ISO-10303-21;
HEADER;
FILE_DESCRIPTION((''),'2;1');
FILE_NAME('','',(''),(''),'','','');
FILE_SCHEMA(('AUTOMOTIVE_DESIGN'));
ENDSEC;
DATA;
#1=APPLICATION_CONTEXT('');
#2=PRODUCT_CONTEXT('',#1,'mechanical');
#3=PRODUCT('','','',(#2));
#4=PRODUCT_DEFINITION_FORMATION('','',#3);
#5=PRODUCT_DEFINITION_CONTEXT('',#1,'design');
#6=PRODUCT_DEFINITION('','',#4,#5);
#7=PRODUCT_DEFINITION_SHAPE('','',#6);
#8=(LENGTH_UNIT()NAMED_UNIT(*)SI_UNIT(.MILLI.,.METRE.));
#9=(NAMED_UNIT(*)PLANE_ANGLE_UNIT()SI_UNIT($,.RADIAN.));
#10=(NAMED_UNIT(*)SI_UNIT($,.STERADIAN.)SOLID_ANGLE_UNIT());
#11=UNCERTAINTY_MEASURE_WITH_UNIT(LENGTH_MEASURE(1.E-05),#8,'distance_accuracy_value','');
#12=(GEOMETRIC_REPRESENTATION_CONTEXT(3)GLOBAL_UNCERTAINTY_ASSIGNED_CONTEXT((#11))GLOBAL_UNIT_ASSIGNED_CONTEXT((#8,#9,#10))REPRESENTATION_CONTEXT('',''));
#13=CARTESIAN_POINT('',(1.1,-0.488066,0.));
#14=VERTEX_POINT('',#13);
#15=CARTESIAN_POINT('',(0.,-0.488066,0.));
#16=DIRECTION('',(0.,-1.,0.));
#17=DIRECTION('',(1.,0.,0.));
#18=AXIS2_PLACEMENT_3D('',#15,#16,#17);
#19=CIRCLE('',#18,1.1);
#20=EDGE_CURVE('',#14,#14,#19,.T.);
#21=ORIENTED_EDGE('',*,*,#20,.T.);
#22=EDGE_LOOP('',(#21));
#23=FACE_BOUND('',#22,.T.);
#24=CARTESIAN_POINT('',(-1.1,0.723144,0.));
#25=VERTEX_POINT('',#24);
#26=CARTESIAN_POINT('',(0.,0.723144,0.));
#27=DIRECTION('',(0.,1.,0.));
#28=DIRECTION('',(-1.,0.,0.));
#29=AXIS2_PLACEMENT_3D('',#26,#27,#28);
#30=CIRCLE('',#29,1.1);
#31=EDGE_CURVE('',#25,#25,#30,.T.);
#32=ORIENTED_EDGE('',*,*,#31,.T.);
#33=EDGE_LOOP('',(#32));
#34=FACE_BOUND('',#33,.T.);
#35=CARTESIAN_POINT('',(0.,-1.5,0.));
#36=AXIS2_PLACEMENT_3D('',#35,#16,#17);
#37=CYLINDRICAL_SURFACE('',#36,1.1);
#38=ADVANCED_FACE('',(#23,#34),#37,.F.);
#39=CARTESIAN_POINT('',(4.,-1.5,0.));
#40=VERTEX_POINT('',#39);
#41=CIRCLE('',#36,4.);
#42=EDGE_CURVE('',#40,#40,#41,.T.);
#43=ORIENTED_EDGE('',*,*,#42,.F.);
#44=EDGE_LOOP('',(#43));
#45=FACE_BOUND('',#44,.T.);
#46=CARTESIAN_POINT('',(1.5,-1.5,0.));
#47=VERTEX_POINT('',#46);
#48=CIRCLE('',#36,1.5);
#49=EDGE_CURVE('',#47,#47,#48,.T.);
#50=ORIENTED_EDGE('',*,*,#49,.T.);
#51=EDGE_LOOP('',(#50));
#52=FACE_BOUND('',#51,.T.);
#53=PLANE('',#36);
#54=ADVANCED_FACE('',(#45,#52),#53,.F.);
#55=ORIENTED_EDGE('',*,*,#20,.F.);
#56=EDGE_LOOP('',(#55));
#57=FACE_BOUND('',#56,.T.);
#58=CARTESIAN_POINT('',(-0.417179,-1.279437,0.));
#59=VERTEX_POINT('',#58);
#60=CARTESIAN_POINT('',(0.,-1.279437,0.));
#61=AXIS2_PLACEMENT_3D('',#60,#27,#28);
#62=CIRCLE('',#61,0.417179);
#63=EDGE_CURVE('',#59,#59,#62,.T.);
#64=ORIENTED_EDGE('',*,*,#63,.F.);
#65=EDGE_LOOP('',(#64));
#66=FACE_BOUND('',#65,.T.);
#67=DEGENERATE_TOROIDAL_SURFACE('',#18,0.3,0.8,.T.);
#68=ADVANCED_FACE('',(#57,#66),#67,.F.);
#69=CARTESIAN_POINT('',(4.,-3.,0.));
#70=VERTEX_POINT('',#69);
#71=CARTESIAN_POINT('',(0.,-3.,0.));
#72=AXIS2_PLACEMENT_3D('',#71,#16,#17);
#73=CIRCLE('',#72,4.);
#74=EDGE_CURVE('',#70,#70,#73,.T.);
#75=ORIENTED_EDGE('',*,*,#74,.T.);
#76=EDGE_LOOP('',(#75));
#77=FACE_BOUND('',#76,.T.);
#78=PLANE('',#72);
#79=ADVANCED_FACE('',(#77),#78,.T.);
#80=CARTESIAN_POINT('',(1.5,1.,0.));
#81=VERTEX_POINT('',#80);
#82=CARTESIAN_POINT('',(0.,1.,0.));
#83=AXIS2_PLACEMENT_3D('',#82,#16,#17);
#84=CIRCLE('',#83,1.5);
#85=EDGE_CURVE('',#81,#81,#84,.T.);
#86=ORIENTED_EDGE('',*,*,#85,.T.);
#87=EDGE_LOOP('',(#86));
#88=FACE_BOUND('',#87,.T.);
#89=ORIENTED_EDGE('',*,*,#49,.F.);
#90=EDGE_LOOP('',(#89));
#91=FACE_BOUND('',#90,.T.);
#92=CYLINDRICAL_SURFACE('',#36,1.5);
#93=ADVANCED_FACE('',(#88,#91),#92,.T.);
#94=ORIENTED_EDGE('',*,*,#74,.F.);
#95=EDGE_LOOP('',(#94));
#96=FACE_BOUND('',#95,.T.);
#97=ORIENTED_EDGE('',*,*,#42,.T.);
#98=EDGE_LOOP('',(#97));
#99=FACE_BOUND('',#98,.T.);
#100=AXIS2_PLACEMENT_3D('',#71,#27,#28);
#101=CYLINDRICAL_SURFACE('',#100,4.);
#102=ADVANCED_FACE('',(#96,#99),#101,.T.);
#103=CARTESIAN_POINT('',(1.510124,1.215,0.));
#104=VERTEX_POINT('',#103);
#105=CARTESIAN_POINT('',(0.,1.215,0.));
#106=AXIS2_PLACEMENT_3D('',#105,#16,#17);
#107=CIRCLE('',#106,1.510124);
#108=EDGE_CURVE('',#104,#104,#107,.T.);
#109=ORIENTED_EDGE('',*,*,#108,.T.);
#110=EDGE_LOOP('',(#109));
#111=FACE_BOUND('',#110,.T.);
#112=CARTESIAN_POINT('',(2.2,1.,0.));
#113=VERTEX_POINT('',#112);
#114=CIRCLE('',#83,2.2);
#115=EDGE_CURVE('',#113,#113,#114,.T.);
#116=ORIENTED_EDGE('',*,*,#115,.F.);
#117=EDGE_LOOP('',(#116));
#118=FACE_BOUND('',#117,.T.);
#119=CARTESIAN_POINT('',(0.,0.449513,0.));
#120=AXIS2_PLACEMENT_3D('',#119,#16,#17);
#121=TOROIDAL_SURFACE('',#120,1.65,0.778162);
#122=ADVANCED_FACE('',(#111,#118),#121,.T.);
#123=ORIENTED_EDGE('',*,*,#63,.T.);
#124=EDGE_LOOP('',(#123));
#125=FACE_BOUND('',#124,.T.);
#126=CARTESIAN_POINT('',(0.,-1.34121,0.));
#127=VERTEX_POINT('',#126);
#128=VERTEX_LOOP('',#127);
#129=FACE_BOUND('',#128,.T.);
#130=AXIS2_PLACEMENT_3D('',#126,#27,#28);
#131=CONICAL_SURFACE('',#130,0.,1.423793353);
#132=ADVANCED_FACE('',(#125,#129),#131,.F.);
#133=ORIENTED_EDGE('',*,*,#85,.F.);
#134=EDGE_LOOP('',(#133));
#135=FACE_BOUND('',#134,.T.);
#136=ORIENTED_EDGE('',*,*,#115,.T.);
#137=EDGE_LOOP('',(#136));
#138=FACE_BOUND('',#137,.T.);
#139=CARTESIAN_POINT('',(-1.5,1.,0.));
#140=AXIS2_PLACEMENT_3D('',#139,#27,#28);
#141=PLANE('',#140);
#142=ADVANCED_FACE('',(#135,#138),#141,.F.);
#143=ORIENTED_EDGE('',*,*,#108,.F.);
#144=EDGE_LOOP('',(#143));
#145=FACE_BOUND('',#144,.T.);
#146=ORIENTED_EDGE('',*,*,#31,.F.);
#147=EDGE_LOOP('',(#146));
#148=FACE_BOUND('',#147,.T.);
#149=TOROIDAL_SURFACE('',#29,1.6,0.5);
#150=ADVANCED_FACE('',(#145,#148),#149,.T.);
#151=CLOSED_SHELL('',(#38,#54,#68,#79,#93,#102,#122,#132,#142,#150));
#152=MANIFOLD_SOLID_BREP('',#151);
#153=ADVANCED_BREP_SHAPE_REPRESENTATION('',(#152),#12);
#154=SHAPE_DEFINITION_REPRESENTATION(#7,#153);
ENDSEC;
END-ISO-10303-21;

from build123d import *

# Parameters (mm, degrees)
FILLET1_R           = 0.8
FILLET2_R           = 0.5
SKETCH2_R           = 4
BOSS_EXTRUDE1_DEPTH = 1.5


with BuildPart() as part:
    # Sketch1 → Revolve1 (revolve)
    with BuildSketch(Plane.XY, mode=Mode.PRIVATE) as revolve1_sk:
        with BuildLine():
            Line((-1.5, 1), (-2.2, 1))
            ThreePointArc((-2.2, 1), (-1.65, 1.227674865), (-1.1, 1))
            Line((-1.1, 1), (-1.1, -1.178331311))
            Line((-1.1, -1.178331311), (0, -1.341209536))
            Line((0, -1.341209536), (0, -1.5))
            Line((0, -1.5), (-1.5, -1.5))
            Line((-1.5, -1.5), (-1.5, 1))
        make_face()
    revolve(revolve1_sk.sketch.rotate(Axis((0, -1.5, 0), (0, 1, 0)), 180), axis=Axis((0, -1.5, 0), (0, 1, 0)))

    # Fillet1
    fillet1_edges = [part.edges().sort_by_distance(p)[0] for p in [
        (-1.1, -1.178331311, 0),
    ]]
    fillet(fillet1_edges, radius=FILLET1_R)

    # Fillet2
    fillet2_edges = [part.edges().sort_by_distance(p)[0] for p in [
        (-1.1, 1, 0),
    ]]
    fillet(fillet2_edges, radius=FILLET2_R)

    # Sketch2 → Boss-Extrude1 (add)
    with BuildSketch(Plane.XZ.offset(1.5)):
        Circle(SKETCH2_R)
    extrude(amount=BOSS_EXTRUDE1_DEPTH)


solid = part.part
